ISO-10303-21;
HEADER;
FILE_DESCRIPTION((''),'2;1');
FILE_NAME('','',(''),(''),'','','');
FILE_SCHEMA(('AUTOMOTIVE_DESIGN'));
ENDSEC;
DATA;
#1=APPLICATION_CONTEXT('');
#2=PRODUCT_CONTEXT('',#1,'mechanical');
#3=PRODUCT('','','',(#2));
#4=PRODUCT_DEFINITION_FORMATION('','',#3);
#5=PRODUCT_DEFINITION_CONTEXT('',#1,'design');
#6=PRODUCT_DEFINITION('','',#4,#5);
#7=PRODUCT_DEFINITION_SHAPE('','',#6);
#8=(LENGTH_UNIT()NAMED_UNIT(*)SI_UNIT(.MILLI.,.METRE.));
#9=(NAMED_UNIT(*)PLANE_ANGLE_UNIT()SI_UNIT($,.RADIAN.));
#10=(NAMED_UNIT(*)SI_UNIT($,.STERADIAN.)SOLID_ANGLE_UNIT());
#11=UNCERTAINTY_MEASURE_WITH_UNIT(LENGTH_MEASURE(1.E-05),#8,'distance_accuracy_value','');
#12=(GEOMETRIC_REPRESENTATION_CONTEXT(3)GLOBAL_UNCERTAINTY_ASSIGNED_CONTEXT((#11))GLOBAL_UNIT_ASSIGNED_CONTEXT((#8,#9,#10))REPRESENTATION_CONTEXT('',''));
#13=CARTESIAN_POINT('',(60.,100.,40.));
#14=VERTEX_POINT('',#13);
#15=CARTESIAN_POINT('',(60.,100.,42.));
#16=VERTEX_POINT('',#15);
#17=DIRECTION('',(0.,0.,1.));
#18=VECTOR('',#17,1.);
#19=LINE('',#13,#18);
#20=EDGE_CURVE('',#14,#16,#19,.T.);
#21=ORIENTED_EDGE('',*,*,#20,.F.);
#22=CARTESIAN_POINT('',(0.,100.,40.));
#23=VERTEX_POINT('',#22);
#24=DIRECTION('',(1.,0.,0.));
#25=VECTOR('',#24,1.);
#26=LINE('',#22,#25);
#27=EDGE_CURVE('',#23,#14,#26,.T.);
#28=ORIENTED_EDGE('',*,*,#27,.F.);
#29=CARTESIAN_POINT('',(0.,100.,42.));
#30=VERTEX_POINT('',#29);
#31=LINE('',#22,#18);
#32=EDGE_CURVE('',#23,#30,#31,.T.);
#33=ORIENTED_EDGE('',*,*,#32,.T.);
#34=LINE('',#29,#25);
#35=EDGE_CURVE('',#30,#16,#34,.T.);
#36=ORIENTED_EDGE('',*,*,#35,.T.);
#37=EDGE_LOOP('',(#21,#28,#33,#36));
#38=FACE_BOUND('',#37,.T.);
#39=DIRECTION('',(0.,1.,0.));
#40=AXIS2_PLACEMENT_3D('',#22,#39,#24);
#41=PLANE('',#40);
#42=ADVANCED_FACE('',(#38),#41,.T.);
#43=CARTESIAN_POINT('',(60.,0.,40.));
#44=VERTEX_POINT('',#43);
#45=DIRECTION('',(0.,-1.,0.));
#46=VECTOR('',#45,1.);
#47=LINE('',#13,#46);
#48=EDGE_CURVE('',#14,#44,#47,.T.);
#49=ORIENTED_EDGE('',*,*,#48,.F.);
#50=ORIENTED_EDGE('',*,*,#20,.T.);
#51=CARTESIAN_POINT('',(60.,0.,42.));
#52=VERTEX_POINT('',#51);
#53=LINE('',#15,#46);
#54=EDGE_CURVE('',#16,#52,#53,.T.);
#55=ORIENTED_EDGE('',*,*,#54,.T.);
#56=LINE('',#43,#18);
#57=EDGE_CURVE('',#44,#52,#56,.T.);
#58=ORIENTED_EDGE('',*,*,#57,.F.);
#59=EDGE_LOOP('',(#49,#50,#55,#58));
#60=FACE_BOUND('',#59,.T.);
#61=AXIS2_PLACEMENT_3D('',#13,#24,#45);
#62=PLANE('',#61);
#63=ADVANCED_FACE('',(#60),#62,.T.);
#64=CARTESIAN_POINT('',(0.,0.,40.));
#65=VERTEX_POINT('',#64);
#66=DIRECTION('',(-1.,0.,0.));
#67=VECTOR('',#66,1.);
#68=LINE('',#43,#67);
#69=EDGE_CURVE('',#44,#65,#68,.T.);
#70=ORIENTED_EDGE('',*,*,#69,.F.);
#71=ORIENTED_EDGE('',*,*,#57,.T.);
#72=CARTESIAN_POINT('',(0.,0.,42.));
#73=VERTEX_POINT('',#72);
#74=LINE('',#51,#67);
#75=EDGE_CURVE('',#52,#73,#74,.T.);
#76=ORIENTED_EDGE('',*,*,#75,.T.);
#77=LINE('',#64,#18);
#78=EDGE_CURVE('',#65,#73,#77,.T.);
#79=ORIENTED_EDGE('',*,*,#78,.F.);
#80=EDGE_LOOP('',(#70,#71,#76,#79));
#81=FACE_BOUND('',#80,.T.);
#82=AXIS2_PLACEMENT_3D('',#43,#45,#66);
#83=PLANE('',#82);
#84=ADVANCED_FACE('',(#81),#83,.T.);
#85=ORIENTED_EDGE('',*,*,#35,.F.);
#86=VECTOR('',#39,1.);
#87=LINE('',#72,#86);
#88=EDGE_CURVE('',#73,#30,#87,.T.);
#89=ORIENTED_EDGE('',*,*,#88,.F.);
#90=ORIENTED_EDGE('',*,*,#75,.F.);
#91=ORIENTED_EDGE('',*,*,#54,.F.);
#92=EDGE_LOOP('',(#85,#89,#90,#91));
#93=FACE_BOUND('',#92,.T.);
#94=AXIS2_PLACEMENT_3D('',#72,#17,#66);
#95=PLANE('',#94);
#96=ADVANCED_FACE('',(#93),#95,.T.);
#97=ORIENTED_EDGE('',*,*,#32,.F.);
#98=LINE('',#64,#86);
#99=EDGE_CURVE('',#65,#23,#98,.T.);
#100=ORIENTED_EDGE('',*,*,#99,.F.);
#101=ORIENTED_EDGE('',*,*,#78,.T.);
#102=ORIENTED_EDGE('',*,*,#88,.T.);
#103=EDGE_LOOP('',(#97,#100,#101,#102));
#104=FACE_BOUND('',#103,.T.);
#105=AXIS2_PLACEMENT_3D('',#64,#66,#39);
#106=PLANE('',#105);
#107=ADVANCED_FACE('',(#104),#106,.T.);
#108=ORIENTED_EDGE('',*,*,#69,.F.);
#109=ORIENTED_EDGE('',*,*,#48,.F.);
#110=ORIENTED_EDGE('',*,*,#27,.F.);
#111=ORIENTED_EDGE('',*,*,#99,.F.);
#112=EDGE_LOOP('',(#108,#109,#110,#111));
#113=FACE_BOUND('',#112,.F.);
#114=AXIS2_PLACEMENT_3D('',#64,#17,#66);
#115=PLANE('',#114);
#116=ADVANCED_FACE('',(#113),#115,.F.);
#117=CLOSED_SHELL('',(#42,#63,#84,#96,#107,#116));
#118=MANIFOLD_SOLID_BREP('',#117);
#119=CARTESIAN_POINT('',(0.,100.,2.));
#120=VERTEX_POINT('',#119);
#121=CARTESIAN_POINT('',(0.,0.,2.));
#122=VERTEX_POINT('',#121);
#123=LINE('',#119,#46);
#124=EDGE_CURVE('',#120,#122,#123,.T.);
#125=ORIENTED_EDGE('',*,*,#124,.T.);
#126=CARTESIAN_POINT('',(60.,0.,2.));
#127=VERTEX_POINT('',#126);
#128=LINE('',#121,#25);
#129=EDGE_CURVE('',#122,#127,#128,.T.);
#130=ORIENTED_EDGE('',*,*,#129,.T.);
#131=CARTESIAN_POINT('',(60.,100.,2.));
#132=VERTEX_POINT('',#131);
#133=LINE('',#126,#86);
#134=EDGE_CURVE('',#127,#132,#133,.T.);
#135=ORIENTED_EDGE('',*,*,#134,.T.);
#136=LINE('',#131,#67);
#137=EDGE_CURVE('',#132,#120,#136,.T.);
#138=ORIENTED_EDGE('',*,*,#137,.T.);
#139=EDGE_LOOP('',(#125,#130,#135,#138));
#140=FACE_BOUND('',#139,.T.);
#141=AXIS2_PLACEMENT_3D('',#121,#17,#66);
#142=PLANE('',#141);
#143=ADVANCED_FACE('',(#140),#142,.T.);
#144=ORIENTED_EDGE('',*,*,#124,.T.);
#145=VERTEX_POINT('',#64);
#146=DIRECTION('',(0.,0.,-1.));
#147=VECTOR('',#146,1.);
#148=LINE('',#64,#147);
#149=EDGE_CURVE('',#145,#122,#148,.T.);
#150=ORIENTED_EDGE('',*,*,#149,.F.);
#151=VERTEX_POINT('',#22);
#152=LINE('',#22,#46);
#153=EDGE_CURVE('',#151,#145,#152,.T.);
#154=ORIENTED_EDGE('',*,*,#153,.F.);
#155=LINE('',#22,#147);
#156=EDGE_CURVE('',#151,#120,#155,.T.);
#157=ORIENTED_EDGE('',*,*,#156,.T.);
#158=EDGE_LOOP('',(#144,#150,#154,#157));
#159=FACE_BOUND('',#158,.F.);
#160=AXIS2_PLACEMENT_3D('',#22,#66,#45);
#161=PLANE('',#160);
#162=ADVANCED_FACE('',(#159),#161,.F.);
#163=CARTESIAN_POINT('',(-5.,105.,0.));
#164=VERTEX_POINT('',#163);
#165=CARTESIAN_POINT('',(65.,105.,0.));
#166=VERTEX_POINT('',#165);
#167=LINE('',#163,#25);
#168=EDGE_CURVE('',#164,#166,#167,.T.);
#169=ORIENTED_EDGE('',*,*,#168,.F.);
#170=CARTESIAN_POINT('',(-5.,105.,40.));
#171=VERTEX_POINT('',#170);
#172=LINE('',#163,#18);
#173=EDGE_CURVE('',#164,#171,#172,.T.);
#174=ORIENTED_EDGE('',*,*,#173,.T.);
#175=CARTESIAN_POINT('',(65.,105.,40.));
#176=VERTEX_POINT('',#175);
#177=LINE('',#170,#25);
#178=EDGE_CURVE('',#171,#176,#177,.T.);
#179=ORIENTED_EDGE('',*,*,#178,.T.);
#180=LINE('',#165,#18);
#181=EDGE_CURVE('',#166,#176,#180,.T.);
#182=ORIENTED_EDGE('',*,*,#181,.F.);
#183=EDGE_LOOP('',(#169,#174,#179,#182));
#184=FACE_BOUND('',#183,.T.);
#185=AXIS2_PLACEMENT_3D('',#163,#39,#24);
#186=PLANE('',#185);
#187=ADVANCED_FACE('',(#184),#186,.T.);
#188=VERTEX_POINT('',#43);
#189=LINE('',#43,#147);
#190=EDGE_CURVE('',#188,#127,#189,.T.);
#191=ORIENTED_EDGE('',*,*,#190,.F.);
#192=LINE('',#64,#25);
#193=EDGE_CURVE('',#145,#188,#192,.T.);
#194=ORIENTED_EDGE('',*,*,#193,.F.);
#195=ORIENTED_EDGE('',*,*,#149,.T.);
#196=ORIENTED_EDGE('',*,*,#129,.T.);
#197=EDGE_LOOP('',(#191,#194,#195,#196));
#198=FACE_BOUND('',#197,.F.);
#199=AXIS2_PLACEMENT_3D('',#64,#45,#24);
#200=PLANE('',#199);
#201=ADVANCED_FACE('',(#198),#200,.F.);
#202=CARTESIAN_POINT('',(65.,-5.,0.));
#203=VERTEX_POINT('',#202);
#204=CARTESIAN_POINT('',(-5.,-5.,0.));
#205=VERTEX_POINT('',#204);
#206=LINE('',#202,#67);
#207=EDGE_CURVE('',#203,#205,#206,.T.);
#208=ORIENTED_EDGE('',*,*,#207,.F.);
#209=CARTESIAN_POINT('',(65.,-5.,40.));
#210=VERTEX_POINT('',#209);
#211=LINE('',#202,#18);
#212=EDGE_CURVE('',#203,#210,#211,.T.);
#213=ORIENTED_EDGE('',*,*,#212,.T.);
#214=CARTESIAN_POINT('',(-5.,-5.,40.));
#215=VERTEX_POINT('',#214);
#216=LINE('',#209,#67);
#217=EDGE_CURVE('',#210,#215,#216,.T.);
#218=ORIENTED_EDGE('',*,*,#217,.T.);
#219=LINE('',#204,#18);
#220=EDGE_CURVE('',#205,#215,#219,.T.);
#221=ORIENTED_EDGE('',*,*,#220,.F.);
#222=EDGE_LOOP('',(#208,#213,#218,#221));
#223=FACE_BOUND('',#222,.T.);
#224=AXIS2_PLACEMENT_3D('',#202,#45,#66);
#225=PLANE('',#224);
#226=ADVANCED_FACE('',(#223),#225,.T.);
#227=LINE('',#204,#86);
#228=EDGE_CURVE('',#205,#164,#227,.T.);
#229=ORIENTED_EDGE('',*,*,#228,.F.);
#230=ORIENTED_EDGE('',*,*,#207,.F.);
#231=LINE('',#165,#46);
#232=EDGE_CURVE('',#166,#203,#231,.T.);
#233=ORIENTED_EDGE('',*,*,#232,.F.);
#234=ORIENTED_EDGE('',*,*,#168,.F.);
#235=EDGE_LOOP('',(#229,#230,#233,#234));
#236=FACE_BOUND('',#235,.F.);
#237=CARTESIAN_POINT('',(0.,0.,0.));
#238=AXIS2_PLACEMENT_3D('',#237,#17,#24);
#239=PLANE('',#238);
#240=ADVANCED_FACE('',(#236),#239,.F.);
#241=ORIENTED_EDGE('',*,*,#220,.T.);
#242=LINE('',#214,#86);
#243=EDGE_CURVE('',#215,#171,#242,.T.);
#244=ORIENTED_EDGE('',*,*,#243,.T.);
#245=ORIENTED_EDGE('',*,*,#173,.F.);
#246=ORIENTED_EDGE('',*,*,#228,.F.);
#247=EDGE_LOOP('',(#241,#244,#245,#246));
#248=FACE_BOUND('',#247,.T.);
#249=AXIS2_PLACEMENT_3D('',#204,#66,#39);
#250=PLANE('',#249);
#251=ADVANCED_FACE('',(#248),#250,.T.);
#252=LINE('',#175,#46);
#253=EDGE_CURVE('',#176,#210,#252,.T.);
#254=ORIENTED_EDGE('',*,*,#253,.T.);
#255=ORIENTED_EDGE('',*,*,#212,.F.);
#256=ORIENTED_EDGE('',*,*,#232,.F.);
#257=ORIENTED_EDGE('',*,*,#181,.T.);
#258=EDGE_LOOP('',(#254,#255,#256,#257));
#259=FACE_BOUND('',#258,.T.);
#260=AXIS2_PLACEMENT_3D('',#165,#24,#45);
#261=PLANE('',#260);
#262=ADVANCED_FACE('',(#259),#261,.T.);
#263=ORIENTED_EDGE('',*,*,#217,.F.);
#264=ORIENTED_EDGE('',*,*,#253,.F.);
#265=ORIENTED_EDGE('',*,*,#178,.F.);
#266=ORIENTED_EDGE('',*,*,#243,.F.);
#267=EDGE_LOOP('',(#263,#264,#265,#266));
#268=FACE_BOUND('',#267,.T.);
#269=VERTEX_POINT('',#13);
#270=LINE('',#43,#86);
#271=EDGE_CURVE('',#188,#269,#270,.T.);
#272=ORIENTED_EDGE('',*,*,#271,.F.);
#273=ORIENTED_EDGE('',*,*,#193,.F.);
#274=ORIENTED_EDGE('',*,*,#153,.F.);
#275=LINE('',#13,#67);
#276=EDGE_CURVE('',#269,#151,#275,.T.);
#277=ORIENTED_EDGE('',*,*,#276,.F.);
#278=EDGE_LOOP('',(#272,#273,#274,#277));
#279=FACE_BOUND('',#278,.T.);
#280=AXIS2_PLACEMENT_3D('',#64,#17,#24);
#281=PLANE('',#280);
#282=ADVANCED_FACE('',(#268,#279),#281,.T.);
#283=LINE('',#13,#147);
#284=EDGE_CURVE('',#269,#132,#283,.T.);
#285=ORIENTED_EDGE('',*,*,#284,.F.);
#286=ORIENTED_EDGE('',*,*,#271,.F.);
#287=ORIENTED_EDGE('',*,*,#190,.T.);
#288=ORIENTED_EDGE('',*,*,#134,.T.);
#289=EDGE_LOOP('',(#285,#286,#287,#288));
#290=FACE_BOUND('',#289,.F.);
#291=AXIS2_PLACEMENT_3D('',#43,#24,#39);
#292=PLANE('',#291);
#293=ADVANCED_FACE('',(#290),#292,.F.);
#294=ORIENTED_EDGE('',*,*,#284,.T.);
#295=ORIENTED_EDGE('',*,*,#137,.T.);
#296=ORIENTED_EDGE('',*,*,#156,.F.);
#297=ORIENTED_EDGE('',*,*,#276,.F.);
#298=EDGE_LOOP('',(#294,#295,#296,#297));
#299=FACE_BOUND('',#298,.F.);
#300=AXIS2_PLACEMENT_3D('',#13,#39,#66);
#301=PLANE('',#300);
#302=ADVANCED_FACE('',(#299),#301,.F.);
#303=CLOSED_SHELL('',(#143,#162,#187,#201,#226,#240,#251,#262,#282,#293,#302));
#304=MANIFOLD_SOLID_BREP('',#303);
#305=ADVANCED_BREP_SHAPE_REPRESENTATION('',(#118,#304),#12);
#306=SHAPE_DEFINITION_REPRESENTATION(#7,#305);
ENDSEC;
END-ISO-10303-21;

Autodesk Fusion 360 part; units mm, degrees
sketch "Boceto1" plane through (0, 0, 0) normal (0, 0, 1) x (1, 0, 0)
  line L0 (0, 0) -> (60, 0)
  line L1 (60, 0) -> (60, 100)
  line L2 (60, 100) -> (0, 100)
  line L3 (0, 100) -> (0, 0)
  line L4 (65, -5) -> (-5, -5)
  line L5 (-5, -5) -> (-5, 105)
  line L6 (-5, 105) -> (65, 105)
  line L7 (65, 105) -> (65, -5)
  line L8 (0, 75) -> (60, 75)
  line L9 (60, 75) -> (60, 100)
  line L10 (60, 100) -> (0, 100)
  line L11 (0, 100) -> (0, 75)
  dimension "d1" = 100
  dimension "d2" = 60
  dimension "d3" = 110
  dimension "d4" = 70
extrude "Extruir1" add sketch "Boceto1" along normal blind 40 contours L0 L1 L3 L8 | L1 L2 L3 L8 L9 L10 L11 | L4 L5 L6 L7 makes body 1
sketch "Boceto3" plane through (0, 0, 40) normal (0, 0, 1) x (-1, 0, 0)
  line L0 (-65, -105) -> (5, -105)
  line L1 (5, -105) -> (5, 5)
  line L2 (5, 5) -> (-65, 5)
  line L3 (-65, 5) -> (-65, -105)
  line L4 (-60, 0) -> (-60, -100)
  line L5 (-60, -100) -> (0, -100)
  line L6 (0, -100) -> (0, 0)
  line L7 (0, 0) -> (-60, 0)
  dimension "d8" = -5
extrude "Extruir2" cut sketch "Boceto3" against normal blind 38 contours L4 L5 L6 L7 bodies 1
sketch "Boceto4" plane through (0, 0, 40) normal (0, 0, 1) x (-1, 0, 0)
  line L0 (-60, -100) -> (-60, 0)
  line L1 (-60, 0) -> (0, 0)
  line L2 (0, 0) -> (0, -100)
  line L3 (0, -100) -> (-60, -100)
  line L4 (-65, -105) -> (5, -105)
  line L5 (5, -105) -> (5, 5)
  line L6 (5, 5) -> (-65, 5)
  line L7 (-65, 5) -> (-65, -105)
sketch "Boceto5" plane through (0, 0, 40) normal (0, 0, 1) x (-1, 0, 0)
  line L0 (-60, -100) -> (-60, 0)
  line L1 (-60, 0) -> (0, 0)
  line L2 (0, 0) -> (0, -100)
  line L3 (0, -100) -> (-60, -100)
  line L4 (-65, -105) -> (5, -105)
  line L5 (5, -105) -> (5, 5)
  line L6 (5, 5) -> (-65, 5)
  line L7 (-65, 5) -> (-65, -105)
  line L8 (-30.0059, -70.0059) -> (-29.9941, -70.0059)
  line L9 (-29.9941, -29.9941) -> (-30.0059, -29.9941)
  dimension "d18" = -34.9941
extrude "Extruir6" add sketch "Boceto5" along normal blind 2 separate body contours L0 L1 L2 L3 makes body 2
